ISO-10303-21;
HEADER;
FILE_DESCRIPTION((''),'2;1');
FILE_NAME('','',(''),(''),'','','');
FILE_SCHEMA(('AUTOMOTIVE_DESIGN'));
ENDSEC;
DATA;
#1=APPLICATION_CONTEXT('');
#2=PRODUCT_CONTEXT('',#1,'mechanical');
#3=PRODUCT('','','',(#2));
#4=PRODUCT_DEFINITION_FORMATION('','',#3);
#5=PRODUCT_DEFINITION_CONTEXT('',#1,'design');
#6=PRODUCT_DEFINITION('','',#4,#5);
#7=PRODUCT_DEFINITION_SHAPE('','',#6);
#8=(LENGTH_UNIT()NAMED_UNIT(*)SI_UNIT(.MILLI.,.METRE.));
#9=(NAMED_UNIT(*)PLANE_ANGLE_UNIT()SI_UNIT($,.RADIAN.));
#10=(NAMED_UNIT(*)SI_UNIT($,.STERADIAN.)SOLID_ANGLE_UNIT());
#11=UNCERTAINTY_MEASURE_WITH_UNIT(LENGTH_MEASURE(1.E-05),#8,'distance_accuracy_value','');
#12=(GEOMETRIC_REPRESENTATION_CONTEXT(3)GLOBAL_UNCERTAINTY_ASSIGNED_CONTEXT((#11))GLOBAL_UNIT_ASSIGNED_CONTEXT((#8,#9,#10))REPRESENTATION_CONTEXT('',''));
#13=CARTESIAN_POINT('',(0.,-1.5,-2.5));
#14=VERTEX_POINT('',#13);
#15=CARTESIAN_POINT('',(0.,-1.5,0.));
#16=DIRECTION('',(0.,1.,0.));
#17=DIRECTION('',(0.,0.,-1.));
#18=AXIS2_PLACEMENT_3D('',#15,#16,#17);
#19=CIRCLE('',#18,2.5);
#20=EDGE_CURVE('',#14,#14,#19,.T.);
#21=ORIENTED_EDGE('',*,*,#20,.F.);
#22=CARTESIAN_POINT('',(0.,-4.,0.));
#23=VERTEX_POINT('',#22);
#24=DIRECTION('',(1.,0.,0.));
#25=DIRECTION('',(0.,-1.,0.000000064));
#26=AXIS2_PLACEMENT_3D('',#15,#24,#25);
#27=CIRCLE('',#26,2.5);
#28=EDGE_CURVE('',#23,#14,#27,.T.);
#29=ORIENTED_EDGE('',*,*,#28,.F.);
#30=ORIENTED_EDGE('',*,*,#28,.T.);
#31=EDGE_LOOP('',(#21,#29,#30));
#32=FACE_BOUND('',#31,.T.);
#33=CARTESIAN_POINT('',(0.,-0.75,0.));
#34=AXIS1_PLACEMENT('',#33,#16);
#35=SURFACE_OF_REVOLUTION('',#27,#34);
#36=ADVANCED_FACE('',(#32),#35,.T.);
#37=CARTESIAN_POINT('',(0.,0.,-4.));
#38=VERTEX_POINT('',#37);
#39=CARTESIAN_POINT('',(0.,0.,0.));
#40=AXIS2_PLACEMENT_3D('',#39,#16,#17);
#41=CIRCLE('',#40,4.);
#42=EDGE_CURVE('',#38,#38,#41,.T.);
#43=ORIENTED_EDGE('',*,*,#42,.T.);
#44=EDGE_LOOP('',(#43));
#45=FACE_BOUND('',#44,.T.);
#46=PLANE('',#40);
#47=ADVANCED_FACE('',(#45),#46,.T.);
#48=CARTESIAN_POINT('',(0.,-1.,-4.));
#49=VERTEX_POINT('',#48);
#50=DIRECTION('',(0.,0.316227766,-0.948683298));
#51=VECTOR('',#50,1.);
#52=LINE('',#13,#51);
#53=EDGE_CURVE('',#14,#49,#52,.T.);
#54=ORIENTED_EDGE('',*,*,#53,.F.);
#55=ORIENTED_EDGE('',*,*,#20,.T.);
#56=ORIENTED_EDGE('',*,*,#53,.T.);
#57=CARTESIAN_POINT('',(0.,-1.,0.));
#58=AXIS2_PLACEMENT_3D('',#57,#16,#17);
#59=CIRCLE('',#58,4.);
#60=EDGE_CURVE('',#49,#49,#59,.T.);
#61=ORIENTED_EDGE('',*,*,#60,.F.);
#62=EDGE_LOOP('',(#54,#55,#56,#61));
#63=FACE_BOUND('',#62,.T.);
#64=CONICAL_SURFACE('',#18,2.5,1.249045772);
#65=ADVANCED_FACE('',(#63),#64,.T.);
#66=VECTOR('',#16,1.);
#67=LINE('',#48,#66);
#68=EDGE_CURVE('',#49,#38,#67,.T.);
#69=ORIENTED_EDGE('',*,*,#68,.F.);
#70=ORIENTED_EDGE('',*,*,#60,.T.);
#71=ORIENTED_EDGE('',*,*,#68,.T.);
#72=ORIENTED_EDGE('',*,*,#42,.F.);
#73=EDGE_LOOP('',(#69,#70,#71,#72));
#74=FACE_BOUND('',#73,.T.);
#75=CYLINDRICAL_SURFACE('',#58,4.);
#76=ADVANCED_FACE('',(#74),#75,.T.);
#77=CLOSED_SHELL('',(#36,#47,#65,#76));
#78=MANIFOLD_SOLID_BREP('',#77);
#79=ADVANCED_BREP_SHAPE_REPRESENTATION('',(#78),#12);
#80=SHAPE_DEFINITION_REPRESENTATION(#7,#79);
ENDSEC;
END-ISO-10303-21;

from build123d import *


with BuildPart() as f2:
    # F1 (on Right) → F2 (revolve)
    with BuildSketch(Plane.YZ):
        with BuildLine():
            Line((-1.5, -2.5), (0, -2.5))
            Line((0, -2.5), (0, 0))
            Line((0, 0), (-1.5, 0))
            Line((-1.5, 0), (-4, 0))
            ThreePointArc((-4, 0), (-3.267767, -1.767767), (-1.5, -2.5))
        make_face()
        Polygon((-1, -4), (0, -4), (0, -2.5), (-1.5, -2.5), align=None)
    revolve(axis=Axis((0, -0.75, 0), (0, 1, 0)))


solid = f2.part
